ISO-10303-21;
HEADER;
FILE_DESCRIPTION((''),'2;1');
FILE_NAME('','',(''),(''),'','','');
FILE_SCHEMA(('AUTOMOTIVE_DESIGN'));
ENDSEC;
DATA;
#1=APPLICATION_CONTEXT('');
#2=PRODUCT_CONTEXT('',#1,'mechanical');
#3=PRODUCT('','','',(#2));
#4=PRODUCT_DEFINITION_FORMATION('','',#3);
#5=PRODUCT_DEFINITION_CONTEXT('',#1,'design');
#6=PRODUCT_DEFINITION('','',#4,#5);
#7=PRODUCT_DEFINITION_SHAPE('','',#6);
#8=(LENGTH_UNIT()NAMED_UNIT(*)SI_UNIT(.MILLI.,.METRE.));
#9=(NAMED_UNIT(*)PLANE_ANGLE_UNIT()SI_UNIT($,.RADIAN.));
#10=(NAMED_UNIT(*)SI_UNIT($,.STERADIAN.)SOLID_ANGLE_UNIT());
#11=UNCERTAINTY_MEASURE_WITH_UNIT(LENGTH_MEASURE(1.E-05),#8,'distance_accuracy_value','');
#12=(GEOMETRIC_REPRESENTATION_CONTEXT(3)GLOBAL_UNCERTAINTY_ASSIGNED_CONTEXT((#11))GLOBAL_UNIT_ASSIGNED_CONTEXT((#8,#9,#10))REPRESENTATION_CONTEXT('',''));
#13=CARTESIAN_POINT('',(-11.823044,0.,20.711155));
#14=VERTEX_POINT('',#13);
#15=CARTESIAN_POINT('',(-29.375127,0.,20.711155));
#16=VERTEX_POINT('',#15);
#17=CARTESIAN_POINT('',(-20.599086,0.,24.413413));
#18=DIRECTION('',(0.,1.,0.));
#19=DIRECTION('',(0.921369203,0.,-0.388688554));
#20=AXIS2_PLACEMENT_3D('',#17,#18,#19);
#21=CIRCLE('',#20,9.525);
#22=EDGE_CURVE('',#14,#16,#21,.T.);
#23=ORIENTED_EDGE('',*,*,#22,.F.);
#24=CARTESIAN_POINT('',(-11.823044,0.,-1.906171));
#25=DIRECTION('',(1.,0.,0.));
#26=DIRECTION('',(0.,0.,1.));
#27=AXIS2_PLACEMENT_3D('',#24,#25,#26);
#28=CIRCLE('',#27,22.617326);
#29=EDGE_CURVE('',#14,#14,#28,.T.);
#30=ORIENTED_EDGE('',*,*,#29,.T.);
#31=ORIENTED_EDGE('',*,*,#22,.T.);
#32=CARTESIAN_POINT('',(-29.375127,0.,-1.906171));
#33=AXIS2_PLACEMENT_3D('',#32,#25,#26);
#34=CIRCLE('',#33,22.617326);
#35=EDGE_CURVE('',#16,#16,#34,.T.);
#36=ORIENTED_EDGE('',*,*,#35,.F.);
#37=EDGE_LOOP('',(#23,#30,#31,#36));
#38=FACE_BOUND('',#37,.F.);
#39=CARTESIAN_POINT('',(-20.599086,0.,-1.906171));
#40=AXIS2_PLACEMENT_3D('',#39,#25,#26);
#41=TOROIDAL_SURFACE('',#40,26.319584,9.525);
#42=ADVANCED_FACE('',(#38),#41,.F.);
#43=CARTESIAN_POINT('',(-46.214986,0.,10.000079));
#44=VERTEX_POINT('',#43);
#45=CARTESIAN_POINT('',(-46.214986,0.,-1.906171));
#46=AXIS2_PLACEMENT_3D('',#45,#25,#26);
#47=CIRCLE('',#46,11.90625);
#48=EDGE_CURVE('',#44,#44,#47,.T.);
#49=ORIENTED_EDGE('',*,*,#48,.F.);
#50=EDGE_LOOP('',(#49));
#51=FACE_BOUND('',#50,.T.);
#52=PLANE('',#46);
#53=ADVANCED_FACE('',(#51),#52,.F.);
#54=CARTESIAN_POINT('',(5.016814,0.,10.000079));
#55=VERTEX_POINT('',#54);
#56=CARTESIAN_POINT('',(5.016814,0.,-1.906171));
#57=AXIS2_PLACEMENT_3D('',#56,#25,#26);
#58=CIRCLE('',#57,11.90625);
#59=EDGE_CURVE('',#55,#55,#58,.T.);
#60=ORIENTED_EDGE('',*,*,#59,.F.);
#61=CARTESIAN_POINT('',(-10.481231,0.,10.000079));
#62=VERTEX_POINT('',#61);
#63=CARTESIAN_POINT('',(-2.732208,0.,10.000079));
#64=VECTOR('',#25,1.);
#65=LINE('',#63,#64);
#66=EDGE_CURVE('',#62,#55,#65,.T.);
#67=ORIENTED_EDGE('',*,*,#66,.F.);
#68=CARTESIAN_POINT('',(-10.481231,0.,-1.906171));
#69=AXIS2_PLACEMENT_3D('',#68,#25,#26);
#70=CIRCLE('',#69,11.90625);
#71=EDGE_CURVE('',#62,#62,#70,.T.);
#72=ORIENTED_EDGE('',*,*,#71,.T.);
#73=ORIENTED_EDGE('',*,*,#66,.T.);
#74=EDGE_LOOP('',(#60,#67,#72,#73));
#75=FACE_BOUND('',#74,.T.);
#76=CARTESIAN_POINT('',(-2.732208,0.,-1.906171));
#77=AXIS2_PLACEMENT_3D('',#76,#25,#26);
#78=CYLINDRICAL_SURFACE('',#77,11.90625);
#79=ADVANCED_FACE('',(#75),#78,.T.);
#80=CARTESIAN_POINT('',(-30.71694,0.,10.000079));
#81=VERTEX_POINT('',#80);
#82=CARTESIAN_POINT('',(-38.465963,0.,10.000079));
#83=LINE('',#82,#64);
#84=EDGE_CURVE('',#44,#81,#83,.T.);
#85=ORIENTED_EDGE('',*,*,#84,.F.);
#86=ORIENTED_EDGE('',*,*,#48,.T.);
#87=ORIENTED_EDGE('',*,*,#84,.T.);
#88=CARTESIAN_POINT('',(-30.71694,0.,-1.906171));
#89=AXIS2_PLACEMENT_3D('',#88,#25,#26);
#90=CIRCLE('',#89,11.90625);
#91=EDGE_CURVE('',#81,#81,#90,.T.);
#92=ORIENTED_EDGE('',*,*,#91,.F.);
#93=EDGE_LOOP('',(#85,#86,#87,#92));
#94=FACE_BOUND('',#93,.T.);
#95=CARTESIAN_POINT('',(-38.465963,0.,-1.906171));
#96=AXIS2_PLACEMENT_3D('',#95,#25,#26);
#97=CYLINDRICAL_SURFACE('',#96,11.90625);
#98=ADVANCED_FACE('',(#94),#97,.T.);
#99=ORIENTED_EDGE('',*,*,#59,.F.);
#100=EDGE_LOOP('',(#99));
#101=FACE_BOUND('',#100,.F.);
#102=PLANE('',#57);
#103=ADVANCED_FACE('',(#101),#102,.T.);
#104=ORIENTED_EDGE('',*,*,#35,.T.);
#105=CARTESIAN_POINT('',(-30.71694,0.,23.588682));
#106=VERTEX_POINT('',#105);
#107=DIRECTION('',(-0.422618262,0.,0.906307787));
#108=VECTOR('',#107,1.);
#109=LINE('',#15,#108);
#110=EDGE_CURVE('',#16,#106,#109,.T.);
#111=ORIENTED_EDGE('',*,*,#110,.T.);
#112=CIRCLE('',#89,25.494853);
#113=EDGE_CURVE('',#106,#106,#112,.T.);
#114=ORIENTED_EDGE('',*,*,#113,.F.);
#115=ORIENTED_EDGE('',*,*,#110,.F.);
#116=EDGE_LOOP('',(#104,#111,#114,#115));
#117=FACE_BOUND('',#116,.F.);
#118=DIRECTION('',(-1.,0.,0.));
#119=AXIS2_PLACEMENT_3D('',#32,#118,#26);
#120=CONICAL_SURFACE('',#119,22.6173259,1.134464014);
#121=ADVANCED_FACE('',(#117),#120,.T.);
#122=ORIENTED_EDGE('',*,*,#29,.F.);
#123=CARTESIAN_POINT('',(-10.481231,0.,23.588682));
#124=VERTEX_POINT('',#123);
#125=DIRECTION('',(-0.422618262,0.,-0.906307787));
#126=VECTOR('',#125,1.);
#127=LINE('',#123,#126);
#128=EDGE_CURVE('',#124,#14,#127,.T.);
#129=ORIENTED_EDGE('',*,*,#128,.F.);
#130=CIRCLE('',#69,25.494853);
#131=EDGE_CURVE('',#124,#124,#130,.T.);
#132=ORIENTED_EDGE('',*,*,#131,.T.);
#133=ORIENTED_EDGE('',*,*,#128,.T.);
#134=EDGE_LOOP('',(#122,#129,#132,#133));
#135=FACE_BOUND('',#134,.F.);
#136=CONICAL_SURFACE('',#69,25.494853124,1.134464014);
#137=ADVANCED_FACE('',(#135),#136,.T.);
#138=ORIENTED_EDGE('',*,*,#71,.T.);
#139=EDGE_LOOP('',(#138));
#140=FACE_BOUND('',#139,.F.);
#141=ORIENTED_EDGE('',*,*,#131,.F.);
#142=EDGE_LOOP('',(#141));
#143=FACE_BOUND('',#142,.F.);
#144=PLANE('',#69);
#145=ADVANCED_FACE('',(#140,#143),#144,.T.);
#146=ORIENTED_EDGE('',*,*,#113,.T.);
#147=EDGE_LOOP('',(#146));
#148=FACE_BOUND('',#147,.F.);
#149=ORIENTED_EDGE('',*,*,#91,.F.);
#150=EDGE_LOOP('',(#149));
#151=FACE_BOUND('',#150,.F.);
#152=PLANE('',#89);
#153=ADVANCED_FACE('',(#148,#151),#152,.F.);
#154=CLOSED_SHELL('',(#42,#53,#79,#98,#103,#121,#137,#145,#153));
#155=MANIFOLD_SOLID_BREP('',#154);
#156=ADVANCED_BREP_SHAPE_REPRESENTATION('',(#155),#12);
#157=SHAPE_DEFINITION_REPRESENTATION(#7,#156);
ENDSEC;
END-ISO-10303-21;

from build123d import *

# Parameters (mm, degrees)
F0_W = 15.4980453622
F0_H = 11.90625


with BuildPart() as f1:
    # F0 (on Front) → F1 (revolve)
    with BuildSketch(Plane.XZ):
        with BuildLine():
            Line((-29.3751272816, 20.7111547367), (-30.7169402626, 23.5886819605))
            Line((-30.7169402626, 23.5886819605), (-30.7169402626, 10.0000788365))
            Line((-30.7169402626, 10.0000788365), (-30.7169402626, -1.9061711635))
            Line((-30.7169402626, -1.9061711635), (-10.4812309871, -1.9061711635))
            Line((-10.4812309871, -1.9061711635), (-10.4812309871, 10.0000788365))
            Line((-10.4812309871, 10.0000788365), (-10.4812309871, 23.5886819605))
            Line((-10.4812309871, 23.5886819605), (-11.8230439681, 20.7111547367))
            ThreePointArc((-11.8230439681, 20.7111547367), (-20.5990856249, 14.8884132148), (-29.3751272816, 20.7111547367))
        make_face()
        with Locations((-38.4659629438, 4.0469538365)):
            Rectangle(F0_W, F0_H)
        with Locations((-2.732208306, 4.0469538365)):
            Rectangle(F0_W, F0_H)
    revolve(axis=Axis((-19.7645360604, 0, -1.9061711635), (1, 0, 0)))


solid = f1.part
